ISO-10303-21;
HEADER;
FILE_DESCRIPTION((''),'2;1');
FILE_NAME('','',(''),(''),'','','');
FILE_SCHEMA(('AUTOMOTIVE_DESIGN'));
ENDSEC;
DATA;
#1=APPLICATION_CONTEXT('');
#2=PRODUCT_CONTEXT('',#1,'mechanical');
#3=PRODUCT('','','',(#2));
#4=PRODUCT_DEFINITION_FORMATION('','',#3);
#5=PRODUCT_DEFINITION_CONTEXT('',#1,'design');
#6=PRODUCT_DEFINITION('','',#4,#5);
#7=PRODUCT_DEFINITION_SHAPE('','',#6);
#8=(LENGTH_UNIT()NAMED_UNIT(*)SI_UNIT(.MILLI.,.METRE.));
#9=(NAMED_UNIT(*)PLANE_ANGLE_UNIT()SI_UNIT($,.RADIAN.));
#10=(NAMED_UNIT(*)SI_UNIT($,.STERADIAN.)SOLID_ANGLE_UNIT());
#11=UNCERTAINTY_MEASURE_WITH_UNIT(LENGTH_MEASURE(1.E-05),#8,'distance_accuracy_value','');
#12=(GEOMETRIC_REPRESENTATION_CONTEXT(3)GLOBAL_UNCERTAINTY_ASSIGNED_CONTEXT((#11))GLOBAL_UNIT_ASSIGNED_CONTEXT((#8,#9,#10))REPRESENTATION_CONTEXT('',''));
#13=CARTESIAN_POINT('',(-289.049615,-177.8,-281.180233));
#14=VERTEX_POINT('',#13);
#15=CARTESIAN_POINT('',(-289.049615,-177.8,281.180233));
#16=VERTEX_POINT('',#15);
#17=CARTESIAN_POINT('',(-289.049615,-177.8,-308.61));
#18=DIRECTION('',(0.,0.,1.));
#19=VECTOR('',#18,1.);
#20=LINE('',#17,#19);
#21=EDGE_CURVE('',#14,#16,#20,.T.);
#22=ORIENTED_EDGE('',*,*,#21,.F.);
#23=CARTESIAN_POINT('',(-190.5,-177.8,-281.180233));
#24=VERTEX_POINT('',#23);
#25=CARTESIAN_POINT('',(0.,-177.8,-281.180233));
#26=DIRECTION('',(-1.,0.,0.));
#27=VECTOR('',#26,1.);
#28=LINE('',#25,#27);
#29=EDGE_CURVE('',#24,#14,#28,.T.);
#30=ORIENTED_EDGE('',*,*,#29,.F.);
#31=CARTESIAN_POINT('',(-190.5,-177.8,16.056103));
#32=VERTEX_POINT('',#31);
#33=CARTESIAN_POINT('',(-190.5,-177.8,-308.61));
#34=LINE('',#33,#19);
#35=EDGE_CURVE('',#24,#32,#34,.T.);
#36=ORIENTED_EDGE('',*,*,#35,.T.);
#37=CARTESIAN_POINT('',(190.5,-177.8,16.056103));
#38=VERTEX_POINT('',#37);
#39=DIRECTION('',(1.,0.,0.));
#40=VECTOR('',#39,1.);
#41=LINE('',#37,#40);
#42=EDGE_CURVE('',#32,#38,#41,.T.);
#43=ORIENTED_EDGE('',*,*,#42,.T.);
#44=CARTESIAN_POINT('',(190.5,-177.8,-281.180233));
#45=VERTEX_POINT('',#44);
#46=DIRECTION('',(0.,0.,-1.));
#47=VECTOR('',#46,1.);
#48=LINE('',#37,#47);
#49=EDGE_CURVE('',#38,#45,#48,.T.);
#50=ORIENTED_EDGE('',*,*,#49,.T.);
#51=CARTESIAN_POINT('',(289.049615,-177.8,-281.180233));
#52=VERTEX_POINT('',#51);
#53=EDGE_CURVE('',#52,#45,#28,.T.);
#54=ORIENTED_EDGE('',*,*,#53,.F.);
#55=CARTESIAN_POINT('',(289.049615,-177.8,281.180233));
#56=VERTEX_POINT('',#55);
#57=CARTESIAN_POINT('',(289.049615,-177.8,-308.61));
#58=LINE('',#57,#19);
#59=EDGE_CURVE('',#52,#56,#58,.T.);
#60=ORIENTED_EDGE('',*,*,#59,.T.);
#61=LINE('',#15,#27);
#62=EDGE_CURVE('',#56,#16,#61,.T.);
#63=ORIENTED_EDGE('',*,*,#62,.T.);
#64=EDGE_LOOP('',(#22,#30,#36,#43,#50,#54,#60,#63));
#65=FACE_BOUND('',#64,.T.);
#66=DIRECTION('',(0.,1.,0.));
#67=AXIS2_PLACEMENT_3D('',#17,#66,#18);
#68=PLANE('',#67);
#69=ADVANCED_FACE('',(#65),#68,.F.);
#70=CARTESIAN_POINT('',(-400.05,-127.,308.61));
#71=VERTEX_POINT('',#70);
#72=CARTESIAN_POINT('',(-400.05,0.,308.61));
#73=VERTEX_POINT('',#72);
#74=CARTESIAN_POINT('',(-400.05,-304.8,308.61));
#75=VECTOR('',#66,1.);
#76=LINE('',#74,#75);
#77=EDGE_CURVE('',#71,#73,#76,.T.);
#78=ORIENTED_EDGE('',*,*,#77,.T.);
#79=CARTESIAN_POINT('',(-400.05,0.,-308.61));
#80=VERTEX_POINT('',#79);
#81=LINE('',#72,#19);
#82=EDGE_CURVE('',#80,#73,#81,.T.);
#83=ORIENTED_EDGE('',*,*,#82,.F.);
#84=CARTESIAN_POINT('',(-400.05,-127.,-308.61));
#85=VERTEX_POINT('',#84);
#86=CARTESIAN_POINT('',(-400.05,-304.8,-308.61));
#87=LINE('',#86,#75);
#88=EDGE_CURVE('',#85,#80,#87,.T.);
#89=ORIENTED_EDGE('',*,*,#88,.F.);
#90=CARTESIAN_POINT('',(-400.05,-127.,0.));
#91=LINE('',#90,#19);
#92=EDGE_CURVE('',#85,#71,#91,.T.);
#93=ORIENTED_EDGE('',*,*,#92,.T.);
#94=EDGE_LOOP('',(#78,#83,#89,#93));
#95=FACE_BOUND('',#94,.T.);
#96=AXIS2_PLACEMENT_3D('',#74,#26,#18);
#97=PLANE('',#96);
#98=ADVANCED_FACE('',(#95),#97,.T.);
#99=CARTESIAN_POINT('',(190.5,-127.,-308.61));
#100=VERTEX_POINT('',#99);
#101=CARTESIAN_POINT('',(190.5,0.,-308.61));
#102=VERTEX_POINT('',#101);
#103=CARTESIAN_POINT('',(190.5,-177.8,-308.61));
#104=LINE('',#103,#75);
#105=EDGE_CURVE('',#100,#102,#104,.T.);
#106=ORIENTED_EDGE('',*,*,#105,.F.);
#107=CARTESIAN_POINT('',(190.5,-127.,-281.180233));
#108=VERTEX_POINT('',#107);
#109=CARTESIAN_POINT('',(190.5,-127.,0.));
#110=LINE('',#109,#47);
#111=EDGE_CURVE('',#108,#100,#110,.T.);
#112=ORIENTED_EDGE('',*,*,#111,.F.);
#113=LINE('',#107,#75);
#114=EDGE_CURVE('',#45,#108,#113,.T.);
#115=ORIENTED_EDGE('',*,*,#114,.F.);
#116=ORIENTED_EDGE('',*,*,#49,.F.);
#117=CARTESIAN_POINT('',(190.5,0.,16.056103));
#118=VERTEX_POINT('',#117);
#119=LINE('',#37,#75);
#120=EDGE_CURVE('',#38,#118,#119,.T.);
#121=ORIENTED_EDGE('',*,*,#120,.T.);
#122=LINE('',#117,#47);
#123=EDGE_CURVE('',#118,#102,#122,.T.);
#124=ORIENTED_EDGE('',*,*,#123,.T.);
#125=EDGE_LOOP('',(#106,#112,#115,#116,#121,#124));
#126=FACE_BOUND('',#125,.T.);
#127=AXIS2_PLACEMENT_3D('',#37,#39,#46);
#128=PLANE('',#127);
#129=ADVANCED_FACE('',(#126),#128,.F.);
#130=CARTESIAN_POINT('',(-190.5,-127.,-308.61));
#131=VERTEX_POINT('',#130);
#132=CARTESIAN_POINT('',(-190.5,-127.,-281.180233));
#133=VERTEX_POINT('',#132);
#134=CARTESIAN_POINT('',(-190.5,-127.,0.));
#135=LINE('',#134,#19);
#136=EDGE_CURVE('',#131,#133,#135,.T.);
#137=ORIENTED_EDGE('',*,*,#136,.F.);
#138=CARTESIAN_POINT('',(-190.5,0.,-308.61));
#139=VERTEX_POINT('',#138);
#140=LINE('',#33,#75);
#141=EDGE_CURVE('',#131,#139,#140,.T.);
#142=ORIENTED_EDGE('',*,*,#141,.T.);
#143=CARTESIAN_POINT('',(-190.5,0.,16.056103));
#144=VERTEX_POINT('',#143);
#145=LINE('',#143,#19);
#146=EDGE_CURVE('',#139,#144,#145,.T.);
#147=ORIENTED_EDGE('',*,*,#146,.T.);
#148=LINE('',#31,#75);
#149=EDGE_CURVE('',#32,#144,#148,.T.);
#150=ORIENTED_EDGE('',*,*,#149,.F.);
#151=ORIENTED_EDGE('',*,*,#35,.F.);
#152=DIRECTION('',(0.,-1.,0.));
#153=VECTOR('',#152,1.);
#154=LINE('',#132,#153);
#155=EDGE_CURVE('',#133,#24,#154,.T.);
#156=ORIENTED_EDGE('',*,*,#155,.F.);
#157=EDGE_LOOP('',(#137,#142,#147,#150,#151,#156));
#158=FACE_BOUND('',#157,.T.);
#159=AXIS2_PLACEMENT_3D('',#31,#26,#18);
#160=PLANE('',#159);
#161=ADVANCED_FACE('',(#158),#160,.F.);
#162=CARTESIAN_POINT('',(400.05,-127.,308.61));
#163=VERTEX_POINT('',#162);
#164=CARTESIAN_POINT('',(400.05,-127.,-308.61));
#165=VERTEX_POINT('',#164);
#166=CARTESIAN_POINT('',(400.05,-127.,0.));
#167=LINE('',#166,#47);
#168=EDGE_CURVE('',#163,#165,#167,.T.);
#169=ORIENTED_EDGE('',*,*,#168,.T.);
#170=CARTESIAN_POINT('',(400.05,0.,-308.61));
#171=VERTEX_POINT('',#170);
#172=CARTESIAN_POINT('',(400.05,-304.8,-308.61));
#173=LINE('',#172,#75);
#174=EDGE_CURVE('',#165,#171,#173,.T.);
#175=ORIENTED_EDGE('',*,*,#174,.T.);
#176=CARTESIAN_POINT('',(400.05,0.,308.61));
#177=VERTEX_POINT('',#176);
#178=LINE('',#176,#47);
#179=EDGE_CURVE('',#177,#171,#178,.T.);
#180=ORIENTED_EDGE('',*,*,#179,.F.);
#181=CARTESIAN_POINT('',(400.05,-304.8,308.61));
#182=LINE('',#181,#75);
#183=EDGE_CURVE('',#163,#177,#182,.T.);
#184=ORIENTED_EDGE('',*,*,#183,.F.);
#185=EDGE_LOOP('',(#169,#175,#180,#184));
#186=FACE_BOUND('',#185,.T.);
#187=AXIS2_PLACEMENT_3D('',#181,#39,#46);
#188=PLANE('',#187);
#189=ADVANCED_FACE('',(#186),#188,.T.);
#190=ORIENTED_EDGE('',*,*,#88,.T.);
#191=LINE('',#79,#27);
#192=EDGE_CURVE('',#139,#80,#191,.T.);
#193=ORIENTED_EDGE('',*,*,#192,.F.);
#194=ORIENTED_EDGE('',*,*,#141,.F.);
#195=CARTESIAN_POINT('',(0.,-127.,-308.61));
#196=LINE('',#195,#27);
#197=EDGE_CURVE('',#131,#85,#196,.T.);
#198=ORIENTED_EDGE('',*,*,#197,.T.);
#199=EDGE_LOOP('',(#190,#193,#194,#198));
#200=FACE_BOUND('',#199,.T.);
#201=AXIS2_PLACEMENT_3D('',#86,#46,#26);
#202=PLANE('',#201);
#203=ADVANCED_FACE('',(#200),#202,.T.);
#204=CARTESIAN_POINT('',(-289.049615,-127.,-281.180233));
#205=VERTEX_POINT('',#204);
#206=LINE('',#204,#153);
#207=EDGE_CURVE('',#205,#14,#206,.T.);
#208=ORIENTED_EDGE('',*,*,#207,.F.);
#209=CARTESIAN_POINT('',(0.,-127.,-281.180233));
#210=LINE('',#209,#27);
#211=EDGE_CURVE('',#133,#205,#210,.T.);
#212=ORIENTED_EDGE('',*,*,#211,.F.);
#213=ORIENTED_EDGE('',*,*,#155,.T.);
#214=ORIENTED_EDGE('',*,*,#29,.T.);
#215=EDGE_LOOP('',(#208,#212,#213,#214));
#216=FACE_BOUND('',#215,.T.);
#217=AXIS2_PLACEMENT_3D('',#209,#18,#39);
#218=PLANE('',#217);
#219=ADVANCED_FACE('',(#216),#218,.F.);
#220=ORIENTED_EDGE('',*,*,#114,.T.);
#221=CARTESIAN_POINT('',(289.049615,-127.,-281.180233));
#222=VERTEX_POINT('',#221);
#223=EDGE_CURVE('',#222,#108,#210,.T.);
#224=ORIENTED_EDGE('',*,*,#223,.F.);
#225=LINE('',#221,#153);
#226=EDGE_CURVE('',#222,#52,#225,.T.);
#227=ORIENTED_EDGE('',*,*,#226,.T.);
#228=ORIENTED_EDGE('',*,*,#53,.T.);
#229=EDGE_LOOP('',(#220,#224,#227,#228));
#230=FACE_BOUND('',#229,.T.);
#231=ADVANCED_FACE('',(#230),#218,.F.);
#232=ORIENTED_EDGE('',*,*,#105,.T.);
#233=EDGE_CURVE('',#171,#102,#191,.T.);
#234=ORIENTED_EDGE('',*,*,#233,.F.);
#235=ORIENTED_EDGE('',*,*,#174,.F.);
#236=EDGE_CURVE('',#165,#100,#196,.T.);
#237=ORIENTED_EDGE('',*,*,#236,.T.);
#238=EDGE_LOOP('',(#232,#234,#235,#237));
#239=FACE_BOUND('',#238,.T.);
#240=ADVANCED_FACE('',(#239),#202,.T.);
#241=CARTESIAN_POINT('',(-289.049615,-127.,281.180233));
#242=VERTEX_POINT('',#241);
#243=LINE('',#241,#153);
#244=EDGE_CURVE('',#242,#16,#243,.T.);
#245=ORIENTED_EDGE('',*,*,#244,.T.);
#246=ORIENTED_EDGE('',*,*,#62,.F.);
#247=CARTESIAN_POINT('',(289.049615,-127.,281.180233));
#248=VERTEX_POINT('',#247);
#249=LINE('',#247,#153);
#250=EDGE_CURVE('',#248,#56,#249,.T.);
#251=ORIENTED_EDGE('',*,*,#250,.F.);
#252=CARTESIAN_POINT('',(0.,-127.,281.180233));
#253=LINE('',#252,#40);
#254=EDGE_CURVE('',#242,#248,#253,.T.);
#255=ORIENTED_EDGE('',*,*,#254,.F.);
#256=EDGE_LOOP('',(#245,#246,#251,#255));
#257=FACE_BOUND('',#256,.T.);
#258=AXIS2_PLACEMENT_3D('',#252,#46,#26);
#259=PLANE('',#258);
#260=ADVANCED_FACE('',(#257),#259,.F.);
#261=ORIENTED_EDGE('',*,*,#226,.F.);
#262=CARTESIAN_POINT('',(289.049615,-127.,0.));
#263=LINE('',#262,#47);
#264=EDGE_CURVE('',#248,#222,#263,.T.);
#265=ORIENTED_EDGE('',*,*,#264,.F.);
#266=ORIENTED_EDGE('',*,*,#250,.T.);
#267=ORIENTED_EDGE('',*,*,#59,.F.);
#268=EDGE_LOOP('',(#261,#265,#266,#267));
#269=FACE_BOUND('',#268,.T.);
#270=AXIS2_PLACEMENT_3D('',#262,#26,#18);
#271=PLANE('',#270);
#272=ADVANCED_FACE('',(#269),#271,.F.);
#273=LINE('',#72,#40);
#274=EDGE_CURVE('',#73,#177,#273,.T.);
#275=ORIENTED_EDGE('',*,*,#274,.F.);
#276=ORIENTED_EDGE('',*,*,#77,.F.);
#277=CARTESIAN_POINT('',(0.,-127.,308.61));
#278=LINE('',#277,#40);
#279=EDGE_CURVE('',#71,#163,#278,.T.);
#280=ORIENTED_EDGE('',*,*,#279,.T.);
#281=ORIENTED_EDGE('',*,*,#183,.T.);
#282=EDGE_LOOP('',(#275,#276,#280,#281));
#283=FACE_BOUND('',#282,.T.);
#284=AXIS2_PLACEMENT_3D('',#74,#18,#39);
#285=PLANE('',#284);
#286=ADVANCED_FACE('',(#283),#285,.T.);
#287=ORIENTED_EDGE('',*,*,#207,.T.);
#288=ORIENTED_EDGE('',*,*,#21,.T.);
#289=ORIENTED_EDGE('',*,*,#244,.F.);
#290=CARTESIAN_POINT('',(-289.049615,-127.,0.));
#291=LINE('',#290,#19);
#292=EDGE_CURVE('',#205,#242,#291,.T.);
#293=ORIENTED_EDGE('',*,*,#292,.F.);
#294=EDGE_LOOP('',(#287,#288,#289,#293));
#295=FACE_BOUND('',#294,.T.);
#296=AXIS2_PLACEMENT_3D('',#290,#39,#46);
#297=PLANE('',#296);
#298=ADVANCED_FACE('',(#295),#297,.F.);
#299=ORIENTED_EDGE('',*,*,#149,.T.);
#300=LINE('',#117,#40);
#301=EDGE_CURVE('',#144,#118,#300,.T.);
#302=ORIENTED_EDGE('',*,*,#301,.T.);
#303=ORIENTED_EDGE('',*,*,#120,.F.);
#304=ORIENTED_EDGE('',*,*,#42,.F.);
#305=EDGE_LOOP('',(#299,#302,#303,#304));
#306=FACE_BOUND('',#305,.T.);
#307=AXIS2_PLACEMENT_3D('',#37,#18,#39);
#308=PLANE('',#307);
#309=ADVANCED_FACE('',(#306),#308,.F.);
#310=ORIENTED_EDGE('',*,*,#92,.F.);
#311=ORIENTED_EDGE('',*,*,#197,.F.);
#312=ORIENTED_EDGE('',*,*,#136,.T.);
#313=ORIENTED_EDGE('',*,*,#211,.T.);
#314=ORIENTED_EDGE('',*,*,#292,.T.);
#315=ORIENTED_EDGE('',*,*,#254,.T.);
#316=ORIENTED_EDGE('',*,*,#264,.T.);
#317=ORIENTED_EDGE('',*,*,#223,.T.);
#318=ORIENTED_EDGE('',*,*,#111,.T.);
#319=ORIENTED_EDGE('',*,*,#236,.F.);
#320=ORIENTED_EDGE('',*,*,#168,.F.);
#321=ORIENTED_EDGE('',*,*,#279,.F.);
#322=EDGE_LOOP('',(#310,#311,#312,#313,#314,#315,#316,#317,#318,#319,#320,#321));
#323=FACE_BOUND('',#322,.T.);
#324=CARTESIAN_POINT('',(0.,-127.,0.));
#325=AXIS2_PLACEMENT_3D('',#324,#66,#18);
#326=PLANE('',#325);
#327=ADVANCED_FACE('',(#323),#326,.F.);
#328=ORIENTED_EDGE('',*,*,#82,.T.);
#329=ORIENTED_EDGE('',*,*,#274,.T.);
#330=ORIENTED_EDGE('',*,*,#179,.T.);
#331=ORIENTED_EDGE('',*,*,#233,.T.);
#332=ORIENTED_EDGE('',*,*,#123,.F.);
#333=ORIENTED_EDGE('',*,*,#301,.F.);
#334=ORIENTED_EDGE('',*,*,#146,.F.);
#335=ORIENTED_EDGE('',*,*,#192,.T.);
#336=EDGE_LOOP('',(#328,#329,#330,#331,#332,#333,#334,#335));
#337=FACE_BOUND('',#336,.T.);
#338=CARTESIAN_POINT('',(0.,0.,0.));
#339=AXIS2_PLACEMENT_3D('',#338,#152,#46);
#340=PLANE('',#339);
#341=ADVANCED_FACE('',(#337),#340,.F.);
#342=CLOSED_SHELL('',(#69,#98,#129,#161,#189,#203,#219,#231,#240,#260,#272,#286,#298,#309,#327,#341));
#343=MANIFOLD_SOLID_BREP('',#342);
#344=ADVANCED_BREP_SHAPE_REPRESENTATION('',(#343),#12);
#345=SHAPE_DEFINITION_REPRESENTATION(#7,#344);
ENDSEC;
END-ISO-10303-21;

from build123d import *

# Parameters (mm, degrees)
SKETCH1_W           = 800.1
SKETCH1_H           = 617.22
BOSS_EXTRUDE1_DEPTH = 304.8
SKETCH3_W           = 800.1
SKETCH3_H           = 617.22
SKETCH3_W_2         = 578.099229306
SKETCH3_H_2         = 562.360466338
CUT_EXTRUDE1_DEPTH  = 177.8
SKETCH5_W           = 578.099229306
SKETCH5_H           = 127
CUT_EXTRUDE3_DEPTH  = 776.110031957
SKETCH6_W           = 381
SKETCH6_H           = 324.666103145
CUT_EXTRUDE4_DEPTH  = 536.623911527


with BuildPart() as part:
    # Sketch1 → Boss-Extrude1 (new body)
    with BuildSketch(Plane(origin=(0, 0, 0), x_dir=(1, 0, 0), z_dir=(0, 1, 0))):
        Rectangle(SKETCH1_W, SKETCH1_H)
    extrude(amount=-BOSS_EXTRUDE1_DEPTH)

    # Sketch3 → Cut-Extrude1 (cut)
    with BuildSketch(Plane.XZ.offset(304.8)):
        Rectangle(SKETCH3_W, SKETCH3_H)
        Rectangle(SKETCH3_W_2, SKETCH3_H_2, mode=Mode.SUBTRACT)
    extrude(amount=-CUT_EXTRUDE1_DEPTH, mode=Mode.SUBTRACT)

    # Sketch5 → Cut-Extrude3 (cut, through all)
    with BuildSketch(Plane.XY.offset(281.180233169)):
        with Locations((0, -241.3)):
            Rectangle(SKETCH5_W, SKETCH5_H)
    extrude(amount=-CUT_EXTRUDE3_DEPTH, mode=Mode.SUBTRACT)

    # Sketch6 → Cut-Extrude4 (cut, through all)
    with BuildSketch(Plane(origin=(0, 0, 0), x_dir=(1, 0, 0), z_dir=(0, 1, 0))):
        with Locations((0, 146.276948428)):
            Rectangle(SKETCH6_W, SKETCH6_H)
    extrude(amount=-CUT_EXTRUDE4_DEPTH, mode=Mode.SUBTRACT)


solid = part.part
